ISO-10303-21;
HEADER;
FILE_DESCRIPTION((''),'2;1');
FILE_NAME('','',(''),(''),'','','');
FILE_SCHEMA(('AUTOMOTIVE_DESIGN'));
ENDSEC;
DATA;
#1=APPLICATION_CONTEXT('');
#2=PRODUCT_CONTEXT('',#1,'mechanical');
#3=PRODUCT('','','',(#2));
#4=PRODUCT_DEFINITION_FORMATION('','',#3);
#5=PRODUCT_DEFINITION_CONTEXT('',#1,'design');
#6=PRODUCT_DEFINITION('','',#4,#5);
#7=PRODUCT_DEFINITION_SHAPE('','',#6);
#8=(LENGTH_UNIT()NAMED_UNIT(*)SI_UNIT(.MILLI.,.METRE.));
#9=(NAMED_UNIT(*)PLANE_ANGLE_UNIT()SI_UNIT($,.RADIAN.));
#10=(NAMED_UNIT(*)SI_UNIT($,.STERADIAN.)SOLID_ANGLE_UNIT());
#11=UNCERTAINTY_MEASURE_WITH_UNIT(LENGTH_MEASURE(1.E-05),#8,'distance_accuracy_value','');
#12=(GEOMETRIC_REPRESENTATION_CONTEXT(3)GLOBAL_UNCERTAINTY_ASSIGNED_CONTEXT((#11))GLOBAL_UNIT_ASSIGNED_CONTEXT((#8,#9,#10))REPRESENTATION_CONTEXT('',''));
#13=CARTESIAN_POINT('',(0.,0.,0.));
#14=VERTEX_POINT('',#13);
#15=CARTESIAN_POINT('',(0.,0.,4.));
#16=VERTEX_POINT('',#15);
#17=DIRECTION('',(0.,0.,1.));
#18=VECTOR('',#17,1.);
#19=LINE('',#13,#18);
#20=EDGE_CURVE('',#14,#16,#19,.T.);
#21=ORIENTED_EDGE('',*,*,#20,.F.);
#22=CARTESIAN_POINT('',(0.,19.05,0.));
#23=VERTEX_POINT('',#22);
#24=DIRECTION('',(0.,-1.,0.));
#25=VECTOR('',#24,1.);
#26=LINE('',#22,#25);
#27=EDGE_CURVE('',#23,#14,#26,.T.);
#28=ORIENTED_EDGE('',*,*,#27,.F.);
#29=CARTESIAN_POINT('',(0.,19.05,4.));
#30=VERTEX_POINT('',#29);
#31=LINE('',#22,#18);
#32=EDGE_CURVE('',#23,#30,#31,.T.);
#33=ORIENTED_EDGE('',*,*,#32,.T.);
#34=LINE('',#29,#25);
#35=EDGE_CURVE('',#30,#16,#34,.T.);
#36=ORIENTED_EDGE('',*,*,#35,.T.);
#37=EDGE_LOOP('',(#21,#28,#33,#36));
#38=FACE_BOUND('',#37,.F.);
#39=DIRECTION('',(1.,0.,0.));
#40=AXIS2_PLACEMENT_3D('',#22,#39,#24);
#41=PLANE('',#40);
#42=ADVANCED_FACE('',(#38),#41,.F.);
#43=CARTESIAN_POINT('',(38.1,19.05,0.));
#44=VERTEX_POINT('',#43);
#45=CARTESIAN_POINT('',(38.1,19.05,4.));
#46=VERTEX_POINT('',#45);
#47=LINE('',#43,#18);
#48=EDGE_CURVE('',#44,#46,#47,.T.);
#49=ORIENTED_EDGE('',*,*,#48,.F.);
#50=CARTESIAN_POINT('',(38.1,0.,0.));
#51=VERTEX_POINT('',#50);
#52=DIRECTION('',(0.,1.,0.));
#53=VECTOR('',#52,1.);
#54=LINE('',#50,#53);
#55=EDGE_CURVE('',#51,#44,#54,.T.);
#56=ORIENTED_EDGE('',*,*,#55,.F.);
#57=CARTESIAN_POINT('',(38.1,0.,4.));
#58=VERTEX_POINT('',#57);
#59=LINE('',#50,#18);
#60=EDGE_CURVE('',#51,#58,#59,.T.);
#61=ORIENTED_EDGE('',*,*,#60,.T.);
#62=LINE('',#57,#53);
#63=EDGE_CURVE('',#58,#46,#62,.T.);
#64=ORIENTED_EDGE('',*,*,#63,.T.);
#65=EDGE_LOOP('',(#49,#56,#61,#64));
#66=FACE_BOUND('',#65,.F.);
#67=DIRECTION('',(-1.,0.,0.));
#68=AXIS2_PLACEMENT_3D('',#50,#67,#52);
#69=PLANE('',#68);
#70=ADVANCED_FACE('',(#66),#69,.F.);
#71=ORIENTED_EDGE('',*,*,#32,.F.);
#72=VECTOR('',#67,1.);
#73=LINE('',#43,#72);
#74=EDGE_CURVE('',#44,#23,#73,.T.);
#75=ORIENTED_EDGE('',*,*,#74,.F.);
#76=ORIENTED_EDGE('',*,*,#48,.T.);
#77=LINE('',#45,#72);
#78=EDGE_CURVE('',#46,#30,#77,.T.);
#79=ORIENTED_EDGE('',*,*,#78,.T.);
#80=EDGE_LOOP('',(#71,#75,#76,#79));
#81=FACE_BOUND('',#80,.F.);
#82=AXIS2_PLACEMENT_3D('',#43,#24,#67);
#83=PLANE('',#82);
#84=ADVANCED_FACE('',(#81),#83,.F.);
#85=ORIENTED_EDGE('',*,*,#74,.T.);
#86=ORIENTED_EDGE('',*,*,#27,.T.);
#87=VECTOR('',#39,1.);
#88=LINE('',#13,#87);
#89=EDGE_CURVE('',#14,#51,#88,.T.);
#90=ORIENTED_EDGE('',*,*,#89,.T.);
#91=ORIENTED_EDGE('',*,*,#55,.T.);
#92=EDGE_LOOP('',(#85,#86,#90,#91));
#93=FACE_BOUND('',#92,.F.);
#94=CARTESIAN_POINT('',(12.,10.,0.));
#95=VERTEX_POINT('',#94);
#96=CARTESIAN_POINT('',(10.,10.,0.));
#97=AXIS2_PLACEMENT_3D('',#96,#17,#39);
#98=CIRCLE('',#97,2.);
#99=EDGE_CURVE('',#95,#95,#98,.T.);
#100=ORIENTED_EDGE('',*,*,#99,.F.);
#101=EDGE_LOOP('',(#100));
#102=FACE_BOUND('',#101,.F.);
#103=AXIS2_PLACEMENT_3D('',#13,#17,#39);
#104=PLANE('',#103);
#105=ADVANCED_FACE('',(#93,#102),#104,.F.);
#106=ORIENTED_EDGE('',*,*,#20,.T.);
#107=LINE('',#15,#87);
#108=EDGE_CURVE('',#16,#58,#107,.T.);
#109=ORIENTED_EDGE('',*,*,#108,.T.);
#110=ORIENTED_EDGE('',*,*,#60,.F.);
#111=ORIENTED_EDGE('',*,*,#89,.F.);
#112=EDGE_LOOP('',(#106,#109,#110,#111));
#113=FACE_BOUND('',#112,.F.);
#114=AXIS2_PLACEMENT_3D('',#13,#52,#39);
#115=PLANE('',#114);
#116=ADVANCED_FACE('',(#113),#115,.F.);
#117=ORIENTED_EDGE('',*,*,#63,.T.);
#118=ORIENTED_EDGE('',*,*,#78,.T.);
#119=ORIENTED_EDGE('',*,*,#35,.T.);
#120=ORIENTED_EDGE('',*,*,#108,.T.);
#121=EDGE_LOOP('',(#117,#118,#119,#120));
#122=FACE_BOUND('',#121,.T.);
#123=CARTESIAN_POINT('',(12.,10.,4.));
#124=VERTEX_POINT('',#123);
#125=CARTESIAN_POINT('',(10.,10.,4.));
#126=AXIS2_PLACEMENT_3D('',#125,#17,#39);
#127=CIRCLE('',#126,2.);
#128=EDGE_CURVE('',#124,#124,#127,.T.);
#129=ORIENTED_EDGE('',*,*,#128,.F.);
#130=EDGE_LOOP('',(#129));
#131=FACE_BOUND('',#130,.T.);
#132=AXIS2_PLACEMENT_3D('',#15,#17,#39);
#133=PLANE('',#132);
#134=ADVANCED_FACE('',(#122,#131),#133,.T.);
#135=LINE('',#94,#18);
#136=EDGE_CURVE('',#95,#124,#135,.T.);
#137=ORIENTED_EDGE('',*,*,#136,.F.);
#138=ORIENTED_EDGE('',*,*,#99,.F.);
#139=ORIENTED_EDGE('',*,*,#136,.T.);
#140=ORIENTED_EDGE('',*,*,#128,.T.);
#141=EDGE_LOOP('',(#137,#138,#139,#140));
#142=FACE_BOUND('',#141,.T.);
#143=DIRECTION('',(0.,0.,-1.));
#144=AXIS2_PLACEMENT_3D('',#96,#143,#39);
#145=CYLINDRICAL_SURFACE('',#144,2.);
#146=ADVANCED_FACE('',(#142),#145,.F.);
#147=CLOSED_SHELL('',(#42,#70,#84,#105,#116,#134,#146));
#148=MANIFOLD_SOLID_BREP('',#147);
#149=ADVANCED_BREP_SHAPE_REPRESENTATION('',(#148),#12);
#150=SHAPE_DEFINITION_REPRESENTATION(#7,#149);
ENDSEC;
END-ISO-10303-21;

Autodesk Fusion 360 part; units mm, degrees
sketch "Sketch1" plane through (0, 0, 0) normal (0, 0, 1) x (1, 0, 0)
  line L0 (0, 0) -> (38.1, 0)
  line L1 (38.1, 0) -> (38.1, 19.05)
  line L2 (38.1, 19.05) -> (0, 19.05)
  line L3 (0, 19.05) -> (0, 0)
  circle A0 centre (10, 10) radius 2
  dimension "d1" = 19.05
  dimension "d2" = 38.1
  dimension "d3" = 4
extrude "Extrude1" add sketch "Sketch1" along normal blind 4
